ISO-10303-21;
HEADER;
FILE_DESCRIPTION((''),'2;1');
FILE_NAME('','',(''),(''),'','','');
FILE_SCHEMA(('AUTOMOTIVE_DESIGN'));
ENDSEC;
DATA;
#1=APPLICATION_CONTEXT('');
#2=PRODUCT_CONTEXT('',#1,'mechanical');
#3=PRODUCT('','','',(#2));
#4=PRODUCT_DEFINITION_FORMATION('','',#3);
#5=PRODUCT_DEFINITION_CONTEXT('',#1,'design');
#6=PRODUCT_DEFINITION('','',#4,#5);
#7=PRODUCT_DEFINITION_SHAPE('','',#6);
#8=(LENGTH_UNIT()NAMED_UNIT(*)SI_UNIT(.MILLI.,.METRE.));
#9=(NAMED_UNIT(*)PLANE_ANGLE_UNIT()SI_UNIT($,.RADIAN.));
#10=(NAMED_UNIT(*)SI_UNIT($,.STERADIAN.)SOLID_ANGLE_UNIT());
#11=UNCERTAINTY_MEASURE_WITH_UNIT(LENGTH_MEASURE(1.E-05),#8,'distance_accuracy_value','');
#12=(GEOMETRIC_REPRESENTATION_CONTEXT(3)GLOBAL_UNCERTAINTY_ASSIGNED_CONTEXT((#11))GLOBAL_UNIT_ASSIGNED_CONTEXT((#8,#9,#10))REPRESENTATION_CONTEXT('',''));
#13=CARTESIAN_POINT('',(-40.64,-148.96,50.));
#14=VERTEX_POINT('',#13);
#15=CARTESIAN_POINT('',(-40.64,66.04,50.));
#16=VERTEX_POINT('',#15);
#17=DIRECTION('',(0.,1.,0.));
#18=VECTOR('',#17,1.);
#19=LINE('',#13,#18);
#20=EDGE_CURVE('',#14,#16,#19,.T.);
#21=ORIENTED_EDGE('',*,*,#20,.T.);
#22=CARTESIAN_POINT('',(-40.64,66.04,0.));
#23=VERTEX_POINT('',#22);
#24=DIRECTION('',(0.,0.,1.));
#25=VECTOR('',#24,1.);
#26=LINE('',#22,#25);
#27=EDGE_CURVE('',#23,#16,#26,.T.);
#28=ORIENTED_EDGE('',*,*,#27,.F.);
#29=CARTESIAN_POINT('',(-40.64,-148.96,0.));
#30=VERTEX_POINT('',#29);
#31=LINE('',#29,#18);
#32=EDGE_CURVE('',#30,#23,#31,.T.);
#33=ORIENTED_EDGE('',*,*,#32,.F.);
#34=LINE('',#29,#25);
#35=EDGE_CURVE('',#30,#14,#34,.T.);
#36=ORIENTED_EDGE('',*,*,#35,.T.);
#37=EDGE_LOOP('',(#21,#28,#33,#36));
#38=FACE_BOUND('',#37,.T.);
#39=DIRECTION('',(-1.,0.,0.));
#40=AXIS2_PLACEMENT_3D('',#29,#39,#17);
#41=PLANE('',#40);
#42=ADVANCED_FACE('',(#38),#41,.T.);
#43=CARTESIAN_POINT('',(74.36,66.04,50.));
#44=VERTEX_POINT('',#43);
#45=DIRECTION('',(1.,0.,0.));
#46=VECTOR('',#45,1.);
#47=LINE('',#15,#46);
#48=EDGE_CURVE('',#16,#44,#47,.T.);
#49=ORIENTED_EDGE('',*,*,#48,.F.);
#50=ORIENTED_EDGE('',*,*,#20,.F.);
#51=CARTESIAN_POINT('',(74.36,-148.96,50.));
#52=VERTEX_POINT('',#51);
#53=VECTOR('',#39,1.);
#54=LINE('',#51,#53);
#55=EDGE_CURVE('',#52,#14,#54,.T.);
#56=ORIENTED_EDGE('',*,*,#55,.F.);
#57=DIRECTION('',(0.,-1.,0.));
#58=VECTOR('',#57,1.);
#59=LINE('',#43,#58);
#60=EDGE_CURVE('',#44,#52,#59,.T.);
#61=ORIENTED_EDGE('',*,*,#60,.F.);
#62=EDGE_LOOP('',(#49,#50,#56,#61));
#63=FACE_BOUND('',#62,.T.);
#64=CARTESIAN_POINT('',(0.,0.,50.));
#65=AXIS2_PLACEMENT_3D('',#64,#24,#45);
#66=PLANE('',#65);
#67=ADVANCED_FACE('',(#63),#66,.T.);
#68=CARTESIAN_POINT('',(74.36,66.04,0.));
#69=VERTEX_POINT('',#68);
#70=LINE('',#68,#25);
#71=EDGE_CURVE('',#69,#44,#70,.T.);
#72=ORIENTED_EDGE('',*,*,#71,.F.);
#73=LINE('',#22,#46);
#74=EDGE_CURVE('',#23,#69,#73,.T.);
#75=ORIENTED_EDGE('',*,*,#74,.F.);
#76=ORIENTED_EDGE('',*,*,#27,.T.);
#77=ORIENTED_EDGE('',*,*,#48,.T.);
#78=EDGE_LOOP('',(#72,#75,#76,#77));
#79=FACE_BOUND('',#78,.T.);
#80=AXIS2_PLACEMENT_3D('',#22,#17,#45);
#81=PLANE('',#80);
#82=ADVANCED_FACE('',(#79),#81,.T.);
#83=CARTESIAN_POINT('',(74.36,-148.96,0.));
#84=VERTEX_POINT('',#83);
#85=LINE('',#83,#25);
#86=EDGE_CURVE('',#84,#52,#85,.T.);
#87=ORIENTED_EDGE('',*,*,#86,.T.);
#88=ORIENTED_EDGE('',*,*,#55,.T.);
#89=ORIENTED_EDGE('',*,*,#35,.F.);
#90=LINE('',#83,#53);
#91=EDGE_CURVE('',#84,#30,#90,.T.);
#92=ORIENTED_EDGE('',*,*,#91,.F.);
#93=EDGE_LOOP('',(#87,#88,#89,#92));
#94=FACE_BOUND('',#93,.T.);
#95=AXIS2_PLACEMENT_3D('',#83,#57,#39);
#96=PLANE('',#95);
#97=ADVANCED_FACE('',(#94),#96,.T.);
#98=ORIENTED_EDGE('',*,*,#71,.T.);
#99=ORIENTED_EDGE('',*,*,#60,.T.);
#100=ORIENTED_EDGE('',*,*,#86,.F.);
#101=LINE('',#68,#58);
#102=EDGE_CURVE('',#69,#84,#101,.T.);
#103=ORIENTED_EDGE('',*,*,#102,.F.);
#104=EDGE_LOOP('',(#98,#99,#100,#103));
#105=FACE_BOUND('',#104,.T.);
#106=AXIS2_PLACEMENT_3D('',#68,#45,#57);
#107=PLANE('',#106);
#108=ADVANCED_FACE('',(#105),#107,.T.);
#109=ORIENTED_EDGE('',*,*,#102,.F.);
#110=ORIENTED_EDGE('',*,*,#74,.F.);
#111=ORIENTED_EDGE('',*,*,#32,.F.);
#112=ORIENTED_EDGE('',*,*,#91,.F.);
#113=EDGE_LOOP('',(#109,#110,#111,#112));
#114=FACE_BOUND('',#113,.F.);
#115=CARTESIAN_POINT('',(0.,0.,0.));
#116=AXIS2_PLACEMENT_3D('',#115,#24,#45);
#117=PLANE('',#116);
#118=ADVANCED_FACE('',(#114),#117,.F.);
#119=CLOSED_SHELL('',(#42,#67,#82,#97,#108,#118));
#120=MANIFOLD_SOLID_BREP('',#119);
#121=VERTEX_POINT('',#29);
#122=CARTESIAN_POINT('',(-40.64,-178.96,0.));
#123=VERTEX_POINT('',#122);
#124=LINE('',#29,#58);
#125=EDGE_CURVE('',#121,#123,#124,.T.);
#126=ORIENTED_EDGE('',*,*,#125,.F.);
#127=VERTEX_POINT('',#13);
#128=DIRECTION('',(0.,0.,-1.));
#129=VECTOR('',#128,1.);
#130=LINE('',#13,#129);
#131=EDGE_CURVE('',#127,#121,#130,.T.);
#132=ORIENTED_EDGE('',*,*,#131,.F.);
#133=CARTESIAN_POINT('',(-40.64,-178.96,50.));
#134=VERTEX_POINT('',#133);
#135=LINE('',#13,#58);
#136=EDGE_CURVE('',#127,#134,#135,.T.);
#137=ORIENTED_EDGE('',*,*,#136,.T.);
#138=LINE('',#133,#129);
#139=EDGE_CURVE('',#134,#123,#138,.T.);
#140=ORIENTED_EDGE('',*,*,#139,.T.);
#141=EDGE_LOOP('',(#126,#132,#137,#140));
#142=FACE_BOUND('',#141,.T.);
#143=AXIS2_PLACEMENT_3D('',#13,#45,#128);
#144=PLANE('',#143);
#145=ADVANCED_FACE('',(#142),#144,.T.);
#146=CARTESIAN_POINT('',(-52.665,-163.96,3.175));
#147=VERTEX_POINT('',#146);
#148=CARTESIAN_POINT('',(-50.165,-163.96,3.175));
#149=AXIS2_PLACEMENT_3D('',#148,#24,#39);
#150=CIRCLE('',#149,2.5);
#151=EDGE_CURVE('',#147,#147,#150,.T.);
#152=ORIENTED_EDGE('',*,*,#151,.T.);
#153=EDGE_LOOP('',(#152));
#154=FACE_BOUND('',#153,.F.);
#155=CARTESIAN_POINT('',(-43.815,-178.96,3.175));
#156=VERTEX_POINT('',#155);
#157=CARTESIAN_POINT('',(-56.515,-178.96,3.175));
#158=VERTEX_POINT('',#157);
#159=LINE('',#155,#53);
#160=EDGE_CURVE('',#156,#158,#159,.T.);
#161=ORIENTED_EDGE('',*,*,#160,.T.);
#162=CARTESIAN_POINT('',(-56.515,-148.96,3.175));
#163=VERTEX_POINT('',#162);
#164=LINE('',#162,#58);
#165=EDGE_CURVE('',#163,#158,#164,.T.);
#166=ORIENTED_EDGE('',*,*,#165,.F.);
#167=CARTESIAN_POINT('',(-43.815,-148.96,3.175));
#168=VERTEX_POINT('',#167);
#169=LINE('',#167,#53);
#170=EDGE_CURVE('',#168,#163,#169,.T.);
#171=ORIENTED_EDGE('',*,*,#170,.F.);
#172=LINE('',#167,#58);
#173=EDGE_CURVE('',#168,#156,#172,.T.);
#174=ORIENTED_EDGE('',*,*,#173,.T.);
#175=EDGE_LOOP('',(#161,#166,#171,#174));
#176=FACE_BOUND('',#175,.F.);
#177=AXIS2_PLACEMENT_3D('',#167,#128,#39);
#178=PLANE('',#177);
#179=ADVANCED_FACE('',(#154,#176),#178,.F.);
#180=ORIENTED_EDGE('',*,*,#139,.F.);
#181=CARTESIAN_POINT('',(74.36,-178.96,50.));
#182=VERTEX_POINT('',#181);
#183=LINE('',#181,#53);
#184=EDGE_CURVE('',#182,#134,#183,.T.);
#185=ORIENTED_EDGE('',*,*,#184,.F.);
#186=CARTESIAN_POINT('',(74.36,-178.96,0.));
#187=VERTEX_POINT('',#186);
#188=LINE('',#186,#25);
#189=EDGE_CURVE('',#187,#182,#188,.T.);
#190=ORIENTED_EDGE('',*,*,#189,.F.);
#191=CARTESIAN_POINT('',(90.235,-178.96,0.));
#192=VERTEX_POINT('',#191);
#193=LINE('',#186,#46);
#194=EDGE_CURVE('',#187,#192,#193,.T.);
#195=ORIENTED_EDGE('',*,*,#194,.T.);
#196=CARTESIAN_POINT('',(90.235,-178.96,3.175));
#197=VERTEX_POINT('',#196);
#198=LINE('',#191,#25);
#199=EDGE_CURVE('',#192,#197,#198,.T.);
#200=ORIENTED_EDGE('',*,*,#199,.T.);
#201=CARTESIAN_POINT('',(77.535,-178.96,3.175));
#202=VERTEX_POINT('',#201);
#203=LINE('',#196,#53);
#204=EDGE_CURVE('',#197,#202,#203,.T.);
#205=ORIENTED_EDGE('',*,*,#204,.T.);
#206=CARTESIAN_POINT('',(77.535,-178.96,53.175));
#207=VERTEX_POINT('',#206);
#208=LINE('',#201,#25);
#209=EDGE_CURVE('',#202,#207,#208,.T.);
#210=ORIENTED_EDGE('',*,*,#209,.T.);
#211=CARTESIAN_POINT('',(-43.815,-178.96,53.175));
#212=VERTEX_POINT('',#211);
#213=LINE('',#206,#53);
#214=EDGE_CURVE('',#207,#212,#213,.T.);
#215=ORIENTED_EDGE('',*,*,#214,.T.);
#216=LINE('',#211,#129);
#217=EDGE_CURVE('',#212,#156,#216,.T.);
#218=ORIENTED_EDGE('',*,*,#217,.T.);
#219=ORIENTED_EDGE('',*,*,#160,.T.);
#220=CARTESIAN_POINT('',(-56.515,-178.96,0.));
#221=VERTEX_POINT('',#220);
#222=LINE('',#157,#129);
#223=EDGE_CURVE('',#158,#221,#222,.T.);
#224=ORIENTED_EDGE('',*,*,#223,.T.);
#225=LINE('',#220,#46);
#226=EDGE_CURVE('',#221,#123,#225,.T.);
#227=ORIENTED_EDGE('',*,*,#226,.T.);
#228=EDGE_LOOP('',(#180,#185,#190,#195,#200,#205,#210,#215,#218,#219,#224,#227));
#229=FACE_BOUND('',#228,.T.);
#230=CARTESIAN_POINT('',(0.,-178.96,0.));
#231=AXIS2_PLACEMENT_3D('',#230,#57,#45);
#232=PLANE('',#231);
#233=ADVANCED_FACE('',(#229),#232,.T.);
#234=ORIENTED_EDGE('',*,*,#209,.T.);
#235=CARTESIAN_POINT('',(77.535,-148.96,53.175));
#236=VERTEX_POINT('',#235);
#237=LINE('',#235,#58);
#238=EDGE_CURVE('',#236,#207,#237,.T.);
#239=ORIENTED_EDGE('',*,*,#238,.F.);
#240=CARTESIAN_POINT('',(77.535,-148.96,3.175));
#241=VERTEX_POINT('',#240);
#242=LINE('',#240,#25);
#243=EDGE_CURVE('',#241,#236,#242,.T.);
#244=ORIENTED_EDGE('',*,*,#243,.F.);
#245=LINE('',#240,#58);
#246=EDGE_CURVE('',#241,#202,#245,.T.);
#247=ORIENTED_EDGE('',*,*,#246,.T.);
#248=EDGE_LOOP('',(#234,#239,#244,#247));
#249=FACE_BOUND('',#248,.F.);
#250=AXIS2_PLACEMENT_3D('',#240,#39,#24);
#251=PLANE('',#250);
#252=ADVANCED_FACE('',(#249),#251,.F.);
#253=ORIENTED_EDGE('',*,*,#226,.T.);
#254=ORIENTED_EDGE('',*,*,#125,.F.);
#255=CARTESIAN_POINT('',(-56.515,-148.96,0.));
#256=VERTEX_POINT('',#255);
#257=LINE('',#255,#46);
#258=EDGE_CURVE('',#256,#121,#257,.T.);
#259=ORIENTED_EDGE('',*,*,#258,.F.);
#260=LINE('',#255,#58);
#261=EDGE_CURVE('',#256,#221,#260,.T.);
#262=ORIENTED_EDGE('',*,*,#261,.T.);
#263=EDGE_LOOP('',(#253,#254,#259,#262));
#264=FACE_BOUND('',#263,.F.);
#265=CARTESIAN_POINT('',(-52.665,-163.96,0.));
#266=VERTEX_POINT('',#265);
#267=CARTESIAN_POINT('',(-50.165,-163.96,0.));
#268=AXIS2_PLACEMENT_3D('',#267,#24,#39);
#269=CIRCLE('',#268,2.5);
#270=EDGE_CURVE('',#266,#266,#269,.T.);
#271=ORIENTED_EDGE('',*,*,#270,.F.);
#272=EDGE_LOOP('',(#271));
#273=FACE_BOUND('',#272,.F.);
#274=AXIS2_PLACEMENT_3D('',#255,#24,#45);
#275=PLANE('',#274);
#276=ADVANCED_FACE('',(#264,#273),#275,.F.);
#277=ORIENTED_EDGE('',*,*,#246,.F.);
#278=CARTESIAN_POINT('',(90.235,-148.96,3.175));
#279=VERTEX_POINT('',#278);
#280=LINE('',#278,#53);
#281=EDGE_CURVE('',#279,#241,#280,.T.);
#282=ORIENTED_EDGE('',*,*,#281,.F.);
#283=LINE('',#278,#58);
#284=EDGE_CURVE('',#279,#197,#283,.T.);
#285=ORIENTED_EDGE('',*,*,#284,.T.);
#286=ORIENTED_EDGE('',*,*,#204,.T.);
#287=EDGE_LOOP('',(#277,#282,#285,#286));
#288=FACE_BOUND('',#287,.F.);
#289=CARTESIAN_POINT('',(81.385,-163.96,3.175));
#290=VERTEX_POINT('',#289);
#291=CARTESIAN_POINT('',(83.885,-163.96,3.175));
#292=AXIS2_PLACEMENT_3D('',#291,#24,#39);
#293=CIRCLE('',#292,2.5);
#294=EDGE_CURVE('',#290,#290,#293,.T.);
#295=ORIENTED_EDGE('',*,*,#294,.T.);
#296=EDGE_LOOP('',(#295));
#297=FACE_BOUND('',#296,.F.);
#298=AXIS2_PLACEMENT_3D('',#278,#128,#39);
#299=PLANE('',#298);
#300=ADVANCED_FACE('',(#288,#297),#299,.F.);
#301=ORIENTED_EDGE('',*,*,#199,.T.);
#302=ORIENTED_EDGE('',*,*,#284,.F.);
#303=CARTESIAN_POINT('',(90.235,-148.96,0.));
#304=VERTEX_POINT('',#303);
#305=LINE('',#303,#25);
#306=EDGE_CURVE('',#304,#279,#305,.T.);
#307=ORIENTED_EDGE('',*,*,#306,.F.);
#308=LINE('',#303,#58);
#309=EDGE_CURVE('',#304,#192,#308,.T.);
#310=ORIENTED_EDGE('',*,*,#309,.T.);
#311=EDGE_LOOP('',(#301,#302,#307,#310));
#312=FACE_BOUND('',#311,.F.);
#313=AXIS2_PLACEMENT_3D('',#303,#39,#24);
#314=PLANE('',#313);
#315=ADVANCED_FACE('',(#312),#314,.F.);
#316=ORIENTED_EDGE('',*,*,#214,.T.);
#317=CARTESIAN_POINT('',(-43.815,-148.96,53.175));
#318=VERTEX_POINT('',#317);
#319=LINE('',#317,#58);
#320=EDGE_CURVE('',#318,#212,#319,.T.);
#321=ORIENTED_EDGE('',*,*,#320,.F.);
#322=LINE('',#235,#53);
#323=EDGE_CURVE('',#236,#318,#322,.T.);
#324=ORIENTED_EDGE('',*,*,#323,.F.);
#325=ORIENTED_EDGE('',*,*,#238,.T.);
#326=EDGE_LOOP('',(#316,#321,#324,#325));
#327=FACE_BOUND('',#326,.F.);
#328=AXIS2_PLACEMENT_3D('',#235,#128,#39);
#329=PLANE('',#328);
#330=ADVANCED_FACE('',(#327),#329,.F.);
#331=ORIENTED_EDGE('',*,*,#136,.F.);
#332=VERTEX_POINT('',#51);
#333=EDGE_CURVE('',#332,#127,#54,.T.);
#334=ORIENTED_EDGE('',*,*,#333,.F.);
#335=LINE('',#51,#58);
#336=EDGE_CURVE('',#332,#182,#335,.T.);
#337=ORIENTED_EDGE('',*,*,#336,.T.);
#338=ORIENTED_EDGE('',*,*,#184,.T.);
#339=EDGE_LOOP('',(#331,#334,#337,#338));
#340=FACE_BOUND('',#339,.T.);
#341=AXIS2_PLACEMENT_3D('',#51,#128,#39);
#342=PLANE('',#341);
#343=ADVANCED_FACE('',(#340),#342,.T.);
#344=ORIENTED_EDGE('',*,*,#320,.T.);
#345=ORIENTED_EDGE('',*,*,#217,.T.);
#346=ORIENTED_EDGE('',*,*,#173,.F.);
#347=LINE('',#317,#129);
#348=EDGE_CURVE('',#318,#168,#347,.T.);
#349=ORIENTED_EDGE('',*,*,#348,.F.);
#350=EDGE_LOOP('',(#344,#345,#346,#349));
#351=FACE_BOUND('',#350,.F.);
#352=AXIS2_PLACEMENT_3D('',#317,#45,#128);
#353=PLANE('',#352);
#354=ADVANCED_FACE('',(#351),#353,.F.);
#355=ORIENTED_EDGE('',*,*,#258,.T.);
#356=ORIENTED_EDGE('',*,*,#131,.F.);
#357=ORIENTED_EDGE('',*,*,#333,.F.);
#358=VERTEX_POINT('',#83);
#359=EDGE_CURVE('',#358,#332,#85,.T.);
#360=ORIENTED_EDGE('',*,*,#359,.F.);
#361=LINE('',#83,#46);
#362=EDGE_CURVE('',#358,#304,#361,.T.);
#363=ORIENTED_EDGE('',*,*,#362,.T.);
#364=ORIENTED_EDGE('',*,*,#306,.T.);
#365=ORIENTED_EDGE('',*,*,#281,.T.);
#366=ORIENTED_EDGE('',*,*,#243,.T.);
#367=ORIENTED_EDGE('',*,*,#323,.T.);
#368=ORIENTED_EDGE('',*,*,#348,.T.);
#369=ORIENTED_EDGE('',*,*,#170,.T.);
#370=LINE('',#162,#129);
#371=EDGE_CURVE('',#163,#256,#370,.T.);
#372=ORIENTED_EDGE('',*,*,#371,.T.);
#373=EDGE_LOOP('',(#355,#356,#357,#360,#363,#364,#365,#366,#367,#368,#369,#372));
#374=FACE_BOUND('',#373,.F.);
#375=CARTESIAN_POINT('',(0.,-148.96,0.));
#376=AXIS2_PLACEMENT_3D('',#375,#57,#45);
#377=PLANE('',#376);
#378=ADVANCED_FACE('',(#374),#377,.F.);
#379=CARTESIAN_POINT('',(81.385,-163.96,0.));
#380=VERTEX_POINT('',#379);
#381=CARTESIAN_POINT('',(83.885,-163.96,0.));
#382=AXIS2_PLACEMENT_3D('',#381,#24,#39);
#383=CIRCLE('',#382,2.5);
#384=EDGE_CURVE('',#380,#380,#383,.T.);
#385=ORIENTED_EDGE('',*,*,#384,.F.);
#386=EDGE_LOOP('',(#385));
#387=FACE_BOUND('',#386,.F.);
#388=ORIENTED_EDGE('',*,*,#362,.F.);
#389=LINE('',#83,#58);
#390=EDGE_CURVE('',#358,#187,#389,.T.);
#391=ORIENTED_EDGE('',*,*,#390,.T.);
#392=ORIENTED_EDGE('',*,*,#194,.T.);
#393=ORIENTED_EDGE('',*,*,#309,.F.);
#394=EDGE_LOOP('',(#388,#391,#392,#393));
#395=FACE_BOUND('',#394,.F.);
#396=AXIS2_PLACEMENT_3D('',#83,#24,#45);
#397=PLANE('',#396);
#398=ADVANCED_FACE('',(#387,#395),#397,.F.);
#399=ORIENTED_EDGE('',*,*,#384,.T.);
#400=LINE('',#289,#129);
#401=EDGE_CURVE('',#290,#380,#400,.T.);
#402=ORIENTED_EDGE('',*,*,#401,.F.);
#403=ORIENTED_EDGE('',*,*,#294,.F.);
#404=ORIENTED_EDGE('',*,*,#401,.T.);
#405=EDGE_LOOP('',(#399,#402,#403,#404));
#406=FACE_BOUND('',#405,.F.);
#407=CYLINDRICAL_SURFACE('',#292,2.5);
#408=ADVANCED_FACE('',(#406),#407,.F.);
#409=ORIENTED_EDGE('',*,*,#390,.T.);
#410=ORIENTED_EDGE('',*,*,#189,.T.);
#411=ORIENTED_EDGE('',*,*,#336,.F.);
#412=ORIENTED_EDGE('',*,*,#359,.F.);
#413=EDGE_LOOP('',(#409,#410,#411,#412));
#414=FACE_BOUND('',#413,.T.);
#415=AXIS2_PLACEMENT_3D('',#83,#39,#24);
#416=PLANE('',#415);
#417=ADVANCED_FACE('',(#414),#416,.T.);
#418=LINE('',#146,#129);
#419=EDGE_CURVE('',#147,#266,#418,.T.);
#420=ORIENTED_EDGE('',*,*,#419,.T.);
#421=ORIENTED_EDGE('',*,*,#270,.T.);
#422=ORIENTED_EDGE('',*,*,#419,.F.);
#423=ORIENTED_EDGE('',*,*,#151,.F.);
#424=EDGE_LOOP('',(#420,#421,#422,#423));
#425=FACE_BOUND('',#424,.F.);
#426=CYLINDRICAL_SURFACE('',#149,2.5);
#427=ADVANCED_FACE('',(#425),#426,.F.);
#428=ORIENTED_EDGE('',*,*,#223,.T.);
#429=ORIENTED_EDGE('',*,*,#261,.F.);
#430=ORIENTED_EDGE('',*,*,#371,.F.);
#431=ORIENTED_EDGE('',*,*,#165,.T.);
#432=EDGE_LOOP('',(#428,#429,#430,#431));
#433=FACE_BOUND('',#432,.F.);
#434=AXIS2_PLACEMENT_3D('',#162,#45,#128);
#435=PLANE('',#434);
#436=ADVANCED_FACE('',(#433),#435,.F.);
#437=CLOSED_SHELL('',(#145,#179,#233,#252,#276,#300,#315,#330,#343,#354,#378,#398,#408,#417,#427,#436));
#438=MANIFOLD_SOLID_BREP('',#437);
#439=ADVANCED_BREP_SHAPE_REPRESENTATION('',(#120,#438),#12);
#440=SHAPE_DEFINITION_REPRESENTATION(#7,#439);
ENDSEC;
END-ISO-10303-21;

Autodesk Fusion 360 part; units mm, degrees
sketch "Sketch1" plane through (0, 0, 0) normal (0, 0, 1) x (1, 0, 0) in component "PSU"
  line L0 (-40.64, 66.04) -> (74.36, 66.04)
  line L1 (74.36, 66.04) -> (74.36, -148.96)
  line L2 (74.36, -148.96) -> (-40.64, -148.96)
  line L3 (-40.64, -148.96) -> (-40.64, 66.04)
  dimension "d1" = 115
  dimension "d2" = 215
extrude "Extrude1" add sketch "Sketch1" along normal blind 50 makes body 1 in component "PSU"
sketch "Sketch1 (2)" plane through (0, -148.96, 0) normal (0, -1, 0) x (1, 0, 0) in component "Bracket"
  line L0 (-40.64, 0) -> (74.36, 0)
  line L1 (74.36, 0) -> (74.36, 50)
  line L2 (74.36, 50) -> (-40.64, 50)
  line L3 (-40.64, 50) -> (-40.64, 0)
  line L4 (-56.515, 0) -> (-40.64, 0)
  line L5 (-40.64, 50) -> (74.36, 50)
  line L6 (74.36, 0) -> (90.235, 0)
  line L7 (90.235, 0) -> (90.235, 3.175)
  line L8 (90.235, 3.175) -> (77.535, 3.175)
  line L9 (77.535, 3.175) -> (77.535, 53.175)
  line L10 (77.535, 53.175) -> (-43.815, 53.175)
  line L11 (-43.815, 53.175) -> (-43.815, 3.175)
  line L12 (-43.815, 3.175) -> (-56.515, 3.175)
  line L13 (-56.515, 3.175) -> (-56.515, 0)
  dimension "d5" = 3.175
  dimension "d6" = 3.175
  dimension "d7" = 12.7
  dimension "d8" = 3.175
  dimension "d9" = 3.175
  dimension "d10" = 3.175
  dimension "d11" = 12.7
extrude "Extrude1'" add sketch "Sketch1 (2)" along normal blind 30 separate body contours L1 L2 L3 L4 L5 L6 L7 L8 L9 L10 L11 L12 L13 makes body 2 in component "Bracket"
sketch "Sketch2" plane through (0, 0, 3.175) normal (0, 0, 1) x (-1, 0, 0) in component "Bracket"
  line L0 (43.815, 148.96) -> (56.515, 148.96)
  line L1 (56.515, 148.96) -> (56.515, 178.96)
  line L2 (56.515, 178.96) -> (43.815, 178.96)
  line L3 (43.815, 178.96) -> (43.815, 148.96)
  circle A0 centre (50.165, 163.96) radius 2.5
  circle A1 centre (-83.885, 163.96) radius 2.5
  line L4 (-90.235, 148.96) -> (-90.235, 178.96)
  line L5 (-90.235, 148.96) -> (-77.535, 148.96)
  dimension "d14" = 5
  dimension "d15" = 15
  dimension "d16" = 6.35
  dimension "d17" = 6.35
  dimension "d18" = 15
  dimension "d19" = 5
extrude "Extrude1''" cut sketch "Sketch2" against normal through all contours A0 | A1 bodies 2 in component "Bracket"
component "PSU" placed x (1, 0, 0) y (0, 1, 0) z (0, 0, 1) at (0, 0, 0)
component "Bracket" placed x (1, 0, 0) y (0, 1, 0) z (0, 0, 1) at (0, 0, 0)
